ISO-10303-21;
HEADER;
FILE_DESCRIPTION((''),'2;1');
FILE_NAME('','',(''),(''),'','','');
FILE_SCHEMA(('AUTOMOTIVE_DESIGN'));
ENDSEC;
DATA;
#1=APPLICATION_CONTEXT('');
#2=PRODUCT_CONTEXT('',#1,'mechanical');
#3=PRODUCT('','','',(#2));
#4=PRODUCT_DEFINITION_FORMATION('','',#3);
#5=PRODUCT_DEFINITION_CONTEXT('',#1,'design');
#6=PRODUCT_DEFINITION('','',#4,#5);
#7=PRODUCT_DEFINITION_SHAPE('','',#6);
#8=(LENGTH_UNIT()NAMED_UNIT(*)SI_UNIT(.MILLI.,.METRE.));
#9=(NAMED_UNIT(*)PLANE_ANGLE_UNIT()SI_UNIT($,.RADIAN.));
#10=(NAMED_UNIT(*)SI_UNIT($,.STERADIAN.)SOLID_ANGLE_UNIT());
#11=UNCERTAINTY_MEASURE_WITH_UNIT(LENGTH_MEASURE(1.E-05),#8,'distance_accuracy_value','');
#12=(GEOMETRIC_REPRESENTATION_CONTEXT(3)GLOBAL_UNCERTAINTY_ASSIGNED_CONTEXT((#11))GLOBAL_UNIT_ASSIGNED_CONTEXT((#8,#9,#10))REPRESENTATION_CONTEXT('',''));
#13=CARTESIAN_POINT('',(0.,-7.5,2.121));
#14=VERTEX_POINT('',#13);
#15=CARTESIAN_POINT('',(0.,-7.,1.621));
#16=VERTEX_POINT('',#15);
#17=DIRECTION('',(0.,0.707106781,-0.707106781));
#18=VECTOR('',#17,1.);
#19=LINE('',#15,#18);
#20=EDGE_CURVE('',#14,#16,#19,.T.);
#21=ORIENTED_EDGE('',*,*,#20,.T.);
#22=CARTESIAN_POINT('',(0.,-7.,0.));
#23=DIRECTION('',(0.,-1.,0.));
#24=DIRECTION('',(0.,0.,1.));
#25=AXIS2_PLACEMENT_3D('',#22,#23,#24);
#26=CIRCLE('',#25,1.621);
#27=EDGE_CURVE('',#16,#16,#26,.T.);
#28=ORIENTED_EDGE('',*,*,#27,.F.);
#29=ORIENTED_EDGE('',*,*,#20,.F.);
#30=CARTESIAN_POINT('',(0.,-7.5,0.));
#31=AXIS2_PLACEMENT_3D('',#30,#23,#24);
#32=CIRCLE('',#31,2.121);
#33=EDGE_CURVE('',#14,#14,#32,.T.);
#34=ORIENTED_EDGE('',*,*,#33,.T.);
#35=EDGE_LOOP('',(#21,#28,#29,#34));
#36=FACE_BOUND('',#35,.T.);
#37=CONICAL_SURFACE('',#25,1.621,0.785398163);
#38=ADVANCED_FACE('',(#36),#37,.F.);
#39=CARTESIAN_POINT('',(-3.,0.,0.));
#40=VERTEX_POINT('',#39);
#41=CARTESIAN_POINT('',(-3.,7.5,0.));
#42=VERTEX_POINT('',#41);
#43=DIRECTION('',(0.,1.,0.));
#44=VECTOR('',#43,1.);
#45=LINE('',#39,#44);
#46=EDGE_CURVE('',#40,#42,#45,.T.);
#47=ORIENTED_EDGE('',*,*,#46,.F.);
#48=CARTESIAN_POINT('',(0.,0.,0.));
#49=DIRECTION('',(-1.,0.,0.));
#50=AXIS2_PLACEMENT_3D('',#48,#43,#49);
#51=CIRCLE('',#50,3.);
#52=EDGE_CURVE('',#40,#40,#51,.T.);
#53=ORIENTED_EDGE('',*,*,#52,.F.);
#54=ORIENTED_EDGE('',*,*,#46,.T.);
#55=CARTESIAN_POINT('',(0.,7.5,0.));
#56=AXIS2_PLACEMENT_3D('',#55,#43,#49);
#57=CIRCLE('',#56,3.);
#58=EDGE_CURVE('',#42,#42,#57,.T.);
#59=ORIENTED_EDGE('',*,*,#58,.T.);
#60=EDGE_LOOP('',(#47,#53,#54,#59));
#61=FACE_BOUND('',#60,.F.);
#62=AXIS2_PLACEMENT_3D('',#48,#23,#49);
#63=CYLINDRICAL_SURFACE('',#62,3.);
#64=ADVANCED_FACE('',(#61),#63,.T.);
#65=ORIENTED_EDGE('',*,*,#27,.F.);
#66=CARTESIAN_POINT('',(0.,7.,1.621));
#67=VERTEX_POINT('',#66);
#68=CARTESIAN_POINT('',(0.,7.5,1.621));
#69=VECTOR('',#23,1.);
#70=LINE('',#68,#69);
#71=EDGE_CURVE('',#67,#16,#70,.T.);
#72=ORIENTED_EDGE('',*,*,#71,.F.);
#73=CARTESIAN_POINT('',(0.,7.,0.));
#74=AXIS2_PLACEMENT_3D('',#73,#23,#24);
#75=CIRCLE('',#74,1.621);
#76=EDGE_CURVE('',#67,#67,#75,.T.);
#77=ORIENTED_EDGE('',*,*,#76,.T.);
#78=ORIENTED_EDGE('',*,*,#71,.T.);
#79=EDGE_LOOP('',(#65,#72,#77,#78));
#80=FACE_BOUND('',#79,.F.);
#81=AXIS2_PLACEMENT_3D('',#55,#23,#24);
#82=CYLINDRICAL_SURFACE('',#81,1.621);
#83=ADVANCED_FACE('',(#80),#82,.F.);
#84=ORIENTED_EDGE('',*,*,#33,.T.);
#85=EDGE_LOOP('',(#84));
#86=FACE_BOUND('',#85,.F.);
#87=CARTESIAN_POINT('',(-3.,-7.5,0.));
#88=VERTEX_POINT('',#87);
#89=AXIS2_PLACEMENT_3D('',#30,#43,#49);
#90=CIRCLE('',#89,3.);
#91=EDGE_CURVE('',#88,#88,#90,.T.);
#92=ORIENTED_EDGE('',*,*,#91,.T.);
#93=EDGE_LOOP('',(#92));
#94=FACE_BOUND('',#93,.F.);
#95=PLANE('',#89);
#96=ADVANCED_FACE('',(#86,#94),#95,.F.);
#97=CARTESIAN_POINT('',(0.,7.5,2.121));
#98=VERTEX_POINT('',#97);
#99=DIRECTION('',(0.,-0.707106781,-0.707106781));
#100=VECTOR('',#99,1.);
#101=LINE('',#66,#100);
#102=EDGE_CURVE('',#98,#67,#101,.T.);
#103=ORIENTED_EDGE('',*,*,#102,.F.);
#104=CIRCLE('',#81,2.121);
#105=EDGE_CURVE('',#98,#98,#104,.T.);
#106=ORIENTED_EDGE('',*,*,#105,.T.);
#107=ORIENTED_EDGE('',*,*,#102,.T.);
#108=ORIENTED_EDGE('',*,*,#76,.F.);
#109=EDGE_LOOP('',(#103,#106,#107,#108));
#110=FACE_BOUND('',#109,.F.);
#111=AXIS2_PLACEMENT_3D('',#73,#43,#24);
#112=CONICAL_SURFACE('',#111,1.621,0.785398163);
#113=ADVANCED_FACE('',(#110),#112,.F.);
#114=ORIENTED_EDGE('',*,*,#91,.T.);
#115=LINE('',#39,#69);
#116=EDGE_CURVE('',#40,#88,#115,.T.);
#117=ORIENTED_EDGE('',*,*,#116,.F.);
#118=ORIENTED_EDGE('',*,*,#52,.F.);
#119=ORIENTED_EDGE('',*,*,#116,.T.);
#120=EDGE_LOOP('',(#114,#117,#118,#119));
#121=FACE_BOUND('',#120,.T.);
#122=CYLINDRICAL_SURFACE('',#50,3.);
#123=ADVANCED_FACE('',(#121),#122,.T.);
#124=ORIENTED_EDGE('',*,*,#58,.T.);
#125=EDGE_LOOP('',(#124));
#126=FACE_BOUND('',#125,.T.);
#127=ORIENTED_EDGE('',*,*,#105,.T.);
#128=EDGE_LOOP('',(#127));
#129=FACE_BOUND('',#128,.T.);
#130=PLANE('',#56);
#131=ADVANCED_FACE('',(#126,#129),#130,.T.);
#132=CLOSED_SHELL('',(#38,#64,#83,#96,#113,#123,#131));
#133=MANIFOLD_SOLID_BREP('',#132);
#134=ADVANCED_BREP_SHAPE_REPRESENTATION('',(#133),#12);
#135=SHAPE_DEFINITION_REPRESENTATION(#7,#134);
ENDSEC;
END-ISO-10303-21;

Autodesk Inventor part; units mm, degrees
ref_plane "YZ Plane" through (0, 0, 0) normal (1, 0, 0) x (0, 1, 0)
ref_plane "XZ Plane" through (0, 0, 0) normal (0, 1, 0) x (-1, 0, 0)
ref_plane "XY Plane" through (0, 0, 0) normal (0, 0, 1) x (1, 0, 0)
sketch "Sketch1" plane through (0, 0, 0) normal (0, 1, 0) x (-1, 0, 0)
  circle A0 centre (0, 0) radius 3
  dimension "d0" = 6
extrude "Extrusion1" add sketch "Sketch1" along normal mid plane 15
sketch "Sketch2" plane through (0, 7.5, 0) normal (0, 1, 0) x (1, 0, 0)
  point P0 (0, 0)
  point P1 (0, 0)
hole "Hole1" at (0, 7.5, 0) direction (0, -1, 0) diameter 3.242 depth 15 thread size "M4x0.7" class "6H" standard "ANSI Metric M Profile"
chamfer "Chamfer1" distance 0.5 angle 45 2 edges at (0, 7.5, -1.621) (0, -7.5, -1.621)
properties part number "Standoff_GB"
